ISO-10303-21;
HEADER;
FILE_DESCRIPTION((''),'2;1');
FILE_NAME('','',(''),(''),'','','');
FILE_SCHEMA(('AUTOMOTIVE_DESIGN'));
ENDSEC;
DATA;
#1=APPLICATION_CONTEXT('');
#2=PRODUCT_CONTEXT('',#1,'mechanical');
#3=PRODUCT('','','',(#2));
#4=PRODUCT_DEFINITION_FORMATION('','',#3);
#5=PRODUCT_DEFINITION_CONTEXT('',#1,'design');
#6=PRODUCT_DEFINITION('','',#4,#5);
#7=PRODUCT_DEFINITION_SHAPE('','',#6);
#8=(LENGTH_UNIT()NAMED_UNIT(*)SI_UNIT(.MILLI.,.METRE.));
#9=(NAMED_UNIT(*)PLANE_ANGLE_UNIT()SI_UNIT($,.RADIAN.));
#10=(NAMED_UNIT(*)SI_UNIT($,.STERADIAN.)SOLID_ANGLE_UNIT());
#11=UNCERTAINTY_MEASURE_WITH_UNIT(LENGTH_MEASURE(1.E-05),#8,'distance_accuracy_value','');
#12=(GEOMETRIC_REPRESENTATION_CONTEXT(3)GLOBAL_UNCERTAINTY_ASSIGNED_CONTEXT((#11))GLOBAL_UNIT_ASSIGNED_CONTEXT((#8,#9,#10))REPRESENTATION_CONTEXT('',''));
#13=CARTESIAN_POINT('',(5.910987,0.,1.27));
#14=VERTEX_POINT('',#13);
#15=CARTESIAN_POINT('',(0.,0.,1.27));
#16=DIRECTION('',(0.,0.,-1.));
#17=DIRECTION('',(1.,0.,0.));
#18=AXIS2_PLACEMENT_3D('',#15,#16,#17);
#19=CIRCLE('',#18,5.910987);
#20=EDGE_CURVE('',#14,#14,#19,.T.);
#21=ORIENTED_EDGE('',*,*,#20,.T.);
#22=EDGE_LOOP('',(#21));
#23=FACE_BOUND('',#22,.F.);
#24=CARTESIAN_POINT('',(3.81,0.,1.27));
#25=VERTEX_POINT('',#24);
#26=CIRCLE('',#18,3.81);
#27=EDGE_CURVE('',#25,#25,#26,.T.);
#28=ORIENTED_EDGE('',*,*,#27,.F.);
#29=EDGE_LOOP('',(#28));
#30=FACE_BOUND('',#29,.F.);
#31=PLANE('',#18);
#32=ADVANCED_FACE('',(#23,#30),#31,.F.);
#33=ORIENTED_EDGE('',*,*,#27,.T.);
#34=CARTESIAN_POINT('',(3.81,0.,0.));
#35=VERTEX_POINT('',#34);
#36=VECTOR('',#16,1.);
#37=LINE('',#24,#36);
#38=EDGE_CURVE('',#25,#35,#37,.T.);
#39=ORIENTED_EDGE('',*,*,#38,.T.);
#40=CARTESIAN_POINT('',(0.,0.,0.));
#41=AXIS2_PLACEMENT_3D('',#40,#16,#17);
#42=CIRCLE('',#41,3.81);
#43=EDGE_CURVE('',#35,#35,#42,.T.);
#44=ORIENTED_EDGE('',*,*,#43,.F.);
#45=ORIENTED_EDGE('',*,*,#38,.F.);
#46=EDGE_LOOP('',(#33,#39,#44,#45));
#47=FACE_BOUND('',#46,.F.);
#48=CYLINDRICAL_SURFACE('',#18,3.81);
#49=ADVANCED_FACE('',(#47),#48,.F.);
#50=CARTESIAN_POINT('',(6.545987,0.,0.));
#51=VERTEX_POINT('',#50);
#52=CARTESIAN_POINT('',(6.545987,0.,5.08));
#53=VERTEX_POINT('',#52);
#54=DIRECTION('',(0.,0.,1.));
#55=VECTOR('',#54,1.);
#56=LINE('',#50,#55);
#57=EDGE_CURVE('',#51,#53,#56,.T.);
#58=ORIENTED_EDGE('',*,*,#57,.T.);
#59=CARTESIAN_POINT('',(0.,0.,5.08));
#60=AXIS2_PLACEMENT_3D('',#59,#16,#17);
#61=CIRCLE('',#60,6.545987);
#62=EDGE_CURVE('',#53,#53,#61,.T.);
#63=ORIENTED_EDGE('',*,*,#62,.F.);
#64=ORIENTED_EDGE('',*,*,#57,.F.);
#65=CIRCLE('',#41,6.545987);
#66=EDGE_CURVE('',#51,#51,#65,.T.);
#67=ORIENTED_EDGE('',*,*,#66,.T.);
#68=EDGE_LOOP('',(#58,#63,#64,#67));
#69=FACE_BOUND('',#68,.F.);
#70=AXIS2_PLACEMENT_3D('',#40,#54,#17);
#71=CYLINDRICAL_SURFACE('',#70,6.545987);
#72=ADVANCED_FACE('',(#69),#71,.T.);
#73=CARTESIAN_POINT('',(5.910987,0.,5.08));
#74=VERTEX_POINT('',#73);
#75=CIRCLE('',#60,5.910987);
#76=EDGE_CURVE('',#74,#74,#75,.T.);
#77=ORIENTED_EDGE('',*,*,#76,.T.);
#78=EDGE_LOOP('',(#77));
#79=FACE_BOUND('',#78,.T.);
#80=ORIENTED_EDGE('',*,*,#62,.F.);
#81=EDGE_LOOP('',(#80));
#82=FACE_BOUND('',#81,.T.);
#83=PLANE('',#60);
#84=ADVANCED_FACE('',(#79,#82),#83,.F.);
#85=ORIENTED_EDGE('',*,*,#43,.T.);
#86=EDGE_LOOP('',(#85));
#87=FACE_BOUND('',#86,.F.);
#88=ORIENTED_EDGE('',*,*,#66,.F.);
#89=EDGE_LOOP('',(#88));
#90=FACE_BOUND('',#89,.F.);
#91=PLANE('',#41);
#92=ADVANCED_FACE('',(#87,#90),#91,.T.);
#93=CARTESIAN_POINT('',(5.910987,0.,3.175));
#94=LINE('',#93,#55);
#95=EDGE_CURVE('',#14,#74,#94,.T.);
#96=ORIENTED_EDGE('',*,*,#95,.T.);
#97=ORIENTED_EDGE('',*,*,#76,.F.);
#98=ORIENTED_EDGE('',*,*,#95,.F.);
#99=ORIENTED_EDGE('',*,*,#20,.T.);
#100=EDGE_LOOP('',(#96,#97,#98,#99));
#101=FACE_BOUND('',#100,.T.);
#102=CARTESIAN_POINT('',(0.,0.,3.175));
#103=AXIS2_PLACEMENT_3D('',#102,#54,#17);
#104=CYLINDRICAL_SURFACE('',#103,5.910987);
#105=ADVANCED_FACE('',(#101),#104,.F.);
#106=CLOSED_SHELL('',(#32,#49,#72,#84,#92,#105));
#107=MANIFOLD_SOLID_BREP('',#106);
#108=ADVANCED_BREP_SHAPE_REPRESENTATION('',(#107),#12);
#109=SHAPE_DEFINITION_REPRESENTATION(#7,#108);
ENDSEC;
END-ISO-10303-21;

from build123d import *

# Parameters (mm, degrees)
F0_W = 0.635
F0_H = 3.81


with BuildPart() as f1:
    # F0 (on Front) → F1 (revolve)
    with BuildSketch(Plane.XZ):
        Polygon((3.81, 1.27), (3.81, 0), (6.545987, 0), (6.545987, 1.27), (5.910987, 1.27), align=None)
        with Locations((6.228487, 3.175)):
            Rectangle(F0_W, F0_H)
    revolve(axis=Axis((0, 0, 0.635), (0, 0, -1)))


solid = f1.part
